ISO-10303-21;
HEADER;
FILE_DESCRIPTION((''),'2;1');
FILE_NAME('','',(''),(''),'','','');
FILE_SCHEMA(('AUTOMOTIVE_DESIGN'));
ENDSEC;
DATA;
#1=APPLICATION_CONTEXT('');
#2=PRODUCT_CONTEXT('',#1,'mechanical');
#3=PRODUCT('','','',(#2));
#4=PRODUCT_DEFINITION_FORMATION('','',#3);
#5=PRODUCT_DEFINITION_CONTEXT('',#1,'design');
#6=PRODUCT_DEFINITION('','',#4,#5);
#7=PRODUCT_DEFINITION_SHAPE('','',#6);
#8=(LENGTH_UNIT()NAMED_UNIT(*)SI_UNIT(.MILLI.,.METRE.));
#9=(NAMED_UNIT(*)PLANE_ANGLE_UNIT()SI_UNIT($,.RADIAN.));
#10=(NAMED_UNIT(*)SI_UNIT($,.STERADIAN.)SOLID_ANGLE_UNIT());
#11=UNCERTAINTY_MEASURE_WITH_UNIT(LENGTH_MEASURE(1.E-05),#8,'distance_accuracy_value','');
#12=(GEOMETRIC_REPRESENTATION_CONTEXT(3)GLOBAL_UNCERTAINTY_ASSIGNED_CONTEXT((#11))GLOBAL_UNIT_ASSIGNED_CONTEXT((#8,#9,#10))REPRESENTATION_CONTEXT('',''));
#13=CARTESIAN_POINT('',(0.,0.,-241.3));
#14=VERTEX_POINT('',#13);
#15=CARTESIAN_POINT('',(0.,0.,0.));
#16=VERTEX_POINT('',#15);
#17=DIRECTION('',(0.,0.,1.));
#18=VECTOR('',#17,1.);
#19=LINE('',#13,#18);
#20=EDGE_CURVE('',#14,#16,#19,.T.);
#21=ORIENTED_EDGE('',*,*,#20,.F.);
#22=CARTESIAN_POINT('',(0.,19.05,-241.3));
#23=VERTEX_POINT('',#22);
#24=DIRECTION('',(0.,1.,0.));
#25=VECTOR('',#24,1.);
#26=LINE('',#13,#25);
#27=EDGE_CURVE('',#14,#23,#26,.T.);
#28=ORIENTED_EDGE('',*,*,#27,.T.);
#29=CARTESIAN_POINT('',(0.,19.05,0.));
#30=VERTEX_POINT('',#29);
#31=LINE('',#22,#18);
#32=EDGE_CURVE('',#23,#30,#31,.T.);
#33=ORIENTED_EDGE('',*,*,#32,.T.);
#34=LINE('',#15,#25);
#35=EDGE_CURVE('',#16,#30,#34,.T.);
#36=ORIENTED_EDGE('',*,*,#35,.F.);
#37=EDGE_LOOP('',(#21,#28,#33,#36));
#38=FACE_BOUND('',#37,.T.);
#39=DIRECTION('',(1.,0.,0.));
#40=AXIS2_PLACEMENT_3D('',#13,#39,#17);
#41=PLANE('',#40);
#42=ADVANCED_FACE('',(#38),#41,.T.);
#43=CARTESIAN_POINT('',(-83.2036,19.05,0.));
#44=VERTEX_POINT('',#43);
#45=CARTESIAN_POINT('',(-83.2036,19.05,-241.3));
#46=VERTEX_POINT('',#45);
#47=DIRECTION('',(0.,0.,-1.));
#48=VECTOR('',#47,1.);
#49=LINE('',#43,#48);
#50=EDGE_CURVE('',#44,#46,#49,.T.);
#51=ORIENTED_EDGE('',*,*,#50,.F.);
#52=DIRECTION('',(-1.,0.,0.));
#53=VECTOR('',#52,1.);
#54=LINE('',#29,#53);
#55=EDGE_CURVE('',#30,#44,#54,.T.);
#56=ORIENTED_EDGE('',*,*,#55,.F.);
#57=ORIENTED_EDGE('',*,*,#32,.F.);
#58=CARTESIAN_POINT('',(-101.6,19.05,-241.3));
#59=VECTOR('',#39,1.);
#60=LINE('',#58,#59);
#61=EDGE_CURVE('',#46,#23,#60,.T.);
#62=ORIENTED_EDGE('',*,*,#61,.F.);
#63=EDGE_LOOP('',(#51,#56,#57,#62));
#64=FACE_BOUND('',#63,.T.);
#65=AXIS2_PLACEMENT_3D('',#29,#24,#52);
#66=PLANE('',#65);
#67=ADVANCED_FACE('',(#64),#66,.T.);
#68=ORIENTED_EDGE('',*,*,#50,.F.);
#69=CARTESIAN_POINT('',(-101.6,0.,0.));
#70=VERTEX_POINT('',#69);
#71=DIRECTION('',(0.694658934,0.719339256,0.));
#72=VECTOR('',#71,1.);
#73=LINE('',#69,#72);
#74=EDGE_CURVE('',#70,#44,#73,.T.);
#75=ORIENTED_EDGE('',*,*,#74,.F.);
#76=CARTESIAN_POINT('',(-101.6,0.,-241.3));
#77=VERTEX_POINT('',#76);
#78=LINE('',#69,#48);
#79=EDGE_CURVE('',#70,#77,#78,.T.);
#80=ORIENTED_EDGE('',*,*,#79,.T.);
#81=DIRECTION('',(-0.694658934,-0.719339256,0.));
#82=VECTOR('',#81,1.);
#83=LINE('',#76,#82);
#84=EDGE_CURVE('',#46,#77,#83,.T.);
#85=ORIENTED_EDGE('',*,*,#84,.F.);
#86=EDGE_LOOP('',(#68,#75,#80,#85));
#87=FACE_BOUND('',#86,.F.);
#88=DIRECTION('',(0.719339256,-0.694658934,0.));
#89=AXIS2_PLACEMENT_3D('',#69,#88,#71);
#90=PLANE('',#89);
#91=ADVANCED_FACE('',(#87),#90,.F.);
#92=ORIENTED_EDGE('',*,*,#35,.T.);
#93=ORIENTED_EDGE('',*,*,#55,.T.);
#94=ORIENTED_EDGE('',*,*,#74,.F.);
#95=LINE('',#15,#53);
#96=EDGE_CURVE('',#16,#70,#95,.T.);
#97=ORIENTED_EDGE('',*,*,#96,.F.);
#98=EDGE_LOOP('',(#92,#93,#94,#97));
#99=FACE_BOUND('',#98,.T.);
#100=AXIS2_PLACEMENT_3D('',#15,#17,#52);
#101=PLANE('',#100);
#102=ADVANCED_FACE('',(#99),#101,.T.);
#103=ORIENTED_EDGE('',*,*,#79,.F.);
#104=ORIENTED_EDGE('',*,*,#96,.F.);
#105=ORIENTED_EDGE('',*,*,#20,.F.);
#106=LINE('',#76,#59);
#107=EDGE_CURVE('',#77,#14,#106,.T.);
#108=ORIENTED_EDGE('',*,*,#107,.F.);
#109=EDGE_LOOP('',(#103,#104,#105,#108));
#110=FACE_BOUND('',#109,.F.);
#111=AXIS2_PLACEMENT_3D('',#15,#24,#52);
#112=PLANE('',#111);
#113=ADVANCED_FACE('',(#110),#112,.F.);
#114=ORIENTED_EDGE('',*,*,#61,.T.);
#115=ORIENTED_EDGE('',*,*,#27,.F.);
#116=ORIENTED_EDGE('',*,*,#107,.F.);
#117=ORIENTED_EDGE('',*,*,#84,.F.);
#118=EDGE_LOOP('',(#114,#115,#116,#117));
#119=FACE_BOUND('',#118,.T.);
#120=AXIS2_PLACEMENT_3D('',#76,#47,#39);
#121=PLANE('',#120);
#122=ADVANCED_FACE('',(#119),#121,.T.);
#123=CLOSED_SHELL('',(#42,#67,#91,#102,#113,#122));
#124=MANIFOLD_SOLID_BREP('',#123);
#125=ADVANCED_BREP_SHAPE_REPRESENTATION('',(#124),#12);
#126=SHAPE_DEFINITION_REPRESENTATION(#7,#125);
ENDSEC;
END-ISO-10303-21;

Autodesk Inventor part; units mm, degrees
ref_plane "YZ Plane" through (0, 0, 0) normal (1, 0, 0) x (0, 1, 0)
ref_plane "XZ Plane" through (0, 0, 0) normal (0, 1, 0) x (-1, 0, 0)
ref_plane "XY Plane" through (0, 0, 0) normal (0, 0, 1) x (1, 0, 0)
sketch "Sketch1" plane through (0, 0, 0) normal (0, 1, 0) x (-1, 0, 0)
  line L0 (0, 0) -> (101.6, 0)
  line L1 (101.6, 0) -> (101.6, -241.3)
  line L2 (101.6, -241.3) -> (0, -241.3)
  line L3 (0, -241.3) -> (0, 0)
  dimension "d0" = 101.6
  dimension "d1" = 241.3
extrude "Extrusion1" add sketch "Sketch1" along normal blind 19.05
sketch "Sketch2" plane through (-101.6, 0, 0) normal (0, 0, 1) x (1, 0, 0)
  line L0 (0, 0) -> (18.3964, 19.05)
  line L1 (0, 0) -> (0, 19.05)
  line L2 (0, 19.05) -> (18.3964, 19.05)
  line L3 (0, 19.05) -> (101.6, 19.05) projected
extrude "Extrusion2" cut sketch "Sketch2" against normal blind 254
properties part number "slant_front"
